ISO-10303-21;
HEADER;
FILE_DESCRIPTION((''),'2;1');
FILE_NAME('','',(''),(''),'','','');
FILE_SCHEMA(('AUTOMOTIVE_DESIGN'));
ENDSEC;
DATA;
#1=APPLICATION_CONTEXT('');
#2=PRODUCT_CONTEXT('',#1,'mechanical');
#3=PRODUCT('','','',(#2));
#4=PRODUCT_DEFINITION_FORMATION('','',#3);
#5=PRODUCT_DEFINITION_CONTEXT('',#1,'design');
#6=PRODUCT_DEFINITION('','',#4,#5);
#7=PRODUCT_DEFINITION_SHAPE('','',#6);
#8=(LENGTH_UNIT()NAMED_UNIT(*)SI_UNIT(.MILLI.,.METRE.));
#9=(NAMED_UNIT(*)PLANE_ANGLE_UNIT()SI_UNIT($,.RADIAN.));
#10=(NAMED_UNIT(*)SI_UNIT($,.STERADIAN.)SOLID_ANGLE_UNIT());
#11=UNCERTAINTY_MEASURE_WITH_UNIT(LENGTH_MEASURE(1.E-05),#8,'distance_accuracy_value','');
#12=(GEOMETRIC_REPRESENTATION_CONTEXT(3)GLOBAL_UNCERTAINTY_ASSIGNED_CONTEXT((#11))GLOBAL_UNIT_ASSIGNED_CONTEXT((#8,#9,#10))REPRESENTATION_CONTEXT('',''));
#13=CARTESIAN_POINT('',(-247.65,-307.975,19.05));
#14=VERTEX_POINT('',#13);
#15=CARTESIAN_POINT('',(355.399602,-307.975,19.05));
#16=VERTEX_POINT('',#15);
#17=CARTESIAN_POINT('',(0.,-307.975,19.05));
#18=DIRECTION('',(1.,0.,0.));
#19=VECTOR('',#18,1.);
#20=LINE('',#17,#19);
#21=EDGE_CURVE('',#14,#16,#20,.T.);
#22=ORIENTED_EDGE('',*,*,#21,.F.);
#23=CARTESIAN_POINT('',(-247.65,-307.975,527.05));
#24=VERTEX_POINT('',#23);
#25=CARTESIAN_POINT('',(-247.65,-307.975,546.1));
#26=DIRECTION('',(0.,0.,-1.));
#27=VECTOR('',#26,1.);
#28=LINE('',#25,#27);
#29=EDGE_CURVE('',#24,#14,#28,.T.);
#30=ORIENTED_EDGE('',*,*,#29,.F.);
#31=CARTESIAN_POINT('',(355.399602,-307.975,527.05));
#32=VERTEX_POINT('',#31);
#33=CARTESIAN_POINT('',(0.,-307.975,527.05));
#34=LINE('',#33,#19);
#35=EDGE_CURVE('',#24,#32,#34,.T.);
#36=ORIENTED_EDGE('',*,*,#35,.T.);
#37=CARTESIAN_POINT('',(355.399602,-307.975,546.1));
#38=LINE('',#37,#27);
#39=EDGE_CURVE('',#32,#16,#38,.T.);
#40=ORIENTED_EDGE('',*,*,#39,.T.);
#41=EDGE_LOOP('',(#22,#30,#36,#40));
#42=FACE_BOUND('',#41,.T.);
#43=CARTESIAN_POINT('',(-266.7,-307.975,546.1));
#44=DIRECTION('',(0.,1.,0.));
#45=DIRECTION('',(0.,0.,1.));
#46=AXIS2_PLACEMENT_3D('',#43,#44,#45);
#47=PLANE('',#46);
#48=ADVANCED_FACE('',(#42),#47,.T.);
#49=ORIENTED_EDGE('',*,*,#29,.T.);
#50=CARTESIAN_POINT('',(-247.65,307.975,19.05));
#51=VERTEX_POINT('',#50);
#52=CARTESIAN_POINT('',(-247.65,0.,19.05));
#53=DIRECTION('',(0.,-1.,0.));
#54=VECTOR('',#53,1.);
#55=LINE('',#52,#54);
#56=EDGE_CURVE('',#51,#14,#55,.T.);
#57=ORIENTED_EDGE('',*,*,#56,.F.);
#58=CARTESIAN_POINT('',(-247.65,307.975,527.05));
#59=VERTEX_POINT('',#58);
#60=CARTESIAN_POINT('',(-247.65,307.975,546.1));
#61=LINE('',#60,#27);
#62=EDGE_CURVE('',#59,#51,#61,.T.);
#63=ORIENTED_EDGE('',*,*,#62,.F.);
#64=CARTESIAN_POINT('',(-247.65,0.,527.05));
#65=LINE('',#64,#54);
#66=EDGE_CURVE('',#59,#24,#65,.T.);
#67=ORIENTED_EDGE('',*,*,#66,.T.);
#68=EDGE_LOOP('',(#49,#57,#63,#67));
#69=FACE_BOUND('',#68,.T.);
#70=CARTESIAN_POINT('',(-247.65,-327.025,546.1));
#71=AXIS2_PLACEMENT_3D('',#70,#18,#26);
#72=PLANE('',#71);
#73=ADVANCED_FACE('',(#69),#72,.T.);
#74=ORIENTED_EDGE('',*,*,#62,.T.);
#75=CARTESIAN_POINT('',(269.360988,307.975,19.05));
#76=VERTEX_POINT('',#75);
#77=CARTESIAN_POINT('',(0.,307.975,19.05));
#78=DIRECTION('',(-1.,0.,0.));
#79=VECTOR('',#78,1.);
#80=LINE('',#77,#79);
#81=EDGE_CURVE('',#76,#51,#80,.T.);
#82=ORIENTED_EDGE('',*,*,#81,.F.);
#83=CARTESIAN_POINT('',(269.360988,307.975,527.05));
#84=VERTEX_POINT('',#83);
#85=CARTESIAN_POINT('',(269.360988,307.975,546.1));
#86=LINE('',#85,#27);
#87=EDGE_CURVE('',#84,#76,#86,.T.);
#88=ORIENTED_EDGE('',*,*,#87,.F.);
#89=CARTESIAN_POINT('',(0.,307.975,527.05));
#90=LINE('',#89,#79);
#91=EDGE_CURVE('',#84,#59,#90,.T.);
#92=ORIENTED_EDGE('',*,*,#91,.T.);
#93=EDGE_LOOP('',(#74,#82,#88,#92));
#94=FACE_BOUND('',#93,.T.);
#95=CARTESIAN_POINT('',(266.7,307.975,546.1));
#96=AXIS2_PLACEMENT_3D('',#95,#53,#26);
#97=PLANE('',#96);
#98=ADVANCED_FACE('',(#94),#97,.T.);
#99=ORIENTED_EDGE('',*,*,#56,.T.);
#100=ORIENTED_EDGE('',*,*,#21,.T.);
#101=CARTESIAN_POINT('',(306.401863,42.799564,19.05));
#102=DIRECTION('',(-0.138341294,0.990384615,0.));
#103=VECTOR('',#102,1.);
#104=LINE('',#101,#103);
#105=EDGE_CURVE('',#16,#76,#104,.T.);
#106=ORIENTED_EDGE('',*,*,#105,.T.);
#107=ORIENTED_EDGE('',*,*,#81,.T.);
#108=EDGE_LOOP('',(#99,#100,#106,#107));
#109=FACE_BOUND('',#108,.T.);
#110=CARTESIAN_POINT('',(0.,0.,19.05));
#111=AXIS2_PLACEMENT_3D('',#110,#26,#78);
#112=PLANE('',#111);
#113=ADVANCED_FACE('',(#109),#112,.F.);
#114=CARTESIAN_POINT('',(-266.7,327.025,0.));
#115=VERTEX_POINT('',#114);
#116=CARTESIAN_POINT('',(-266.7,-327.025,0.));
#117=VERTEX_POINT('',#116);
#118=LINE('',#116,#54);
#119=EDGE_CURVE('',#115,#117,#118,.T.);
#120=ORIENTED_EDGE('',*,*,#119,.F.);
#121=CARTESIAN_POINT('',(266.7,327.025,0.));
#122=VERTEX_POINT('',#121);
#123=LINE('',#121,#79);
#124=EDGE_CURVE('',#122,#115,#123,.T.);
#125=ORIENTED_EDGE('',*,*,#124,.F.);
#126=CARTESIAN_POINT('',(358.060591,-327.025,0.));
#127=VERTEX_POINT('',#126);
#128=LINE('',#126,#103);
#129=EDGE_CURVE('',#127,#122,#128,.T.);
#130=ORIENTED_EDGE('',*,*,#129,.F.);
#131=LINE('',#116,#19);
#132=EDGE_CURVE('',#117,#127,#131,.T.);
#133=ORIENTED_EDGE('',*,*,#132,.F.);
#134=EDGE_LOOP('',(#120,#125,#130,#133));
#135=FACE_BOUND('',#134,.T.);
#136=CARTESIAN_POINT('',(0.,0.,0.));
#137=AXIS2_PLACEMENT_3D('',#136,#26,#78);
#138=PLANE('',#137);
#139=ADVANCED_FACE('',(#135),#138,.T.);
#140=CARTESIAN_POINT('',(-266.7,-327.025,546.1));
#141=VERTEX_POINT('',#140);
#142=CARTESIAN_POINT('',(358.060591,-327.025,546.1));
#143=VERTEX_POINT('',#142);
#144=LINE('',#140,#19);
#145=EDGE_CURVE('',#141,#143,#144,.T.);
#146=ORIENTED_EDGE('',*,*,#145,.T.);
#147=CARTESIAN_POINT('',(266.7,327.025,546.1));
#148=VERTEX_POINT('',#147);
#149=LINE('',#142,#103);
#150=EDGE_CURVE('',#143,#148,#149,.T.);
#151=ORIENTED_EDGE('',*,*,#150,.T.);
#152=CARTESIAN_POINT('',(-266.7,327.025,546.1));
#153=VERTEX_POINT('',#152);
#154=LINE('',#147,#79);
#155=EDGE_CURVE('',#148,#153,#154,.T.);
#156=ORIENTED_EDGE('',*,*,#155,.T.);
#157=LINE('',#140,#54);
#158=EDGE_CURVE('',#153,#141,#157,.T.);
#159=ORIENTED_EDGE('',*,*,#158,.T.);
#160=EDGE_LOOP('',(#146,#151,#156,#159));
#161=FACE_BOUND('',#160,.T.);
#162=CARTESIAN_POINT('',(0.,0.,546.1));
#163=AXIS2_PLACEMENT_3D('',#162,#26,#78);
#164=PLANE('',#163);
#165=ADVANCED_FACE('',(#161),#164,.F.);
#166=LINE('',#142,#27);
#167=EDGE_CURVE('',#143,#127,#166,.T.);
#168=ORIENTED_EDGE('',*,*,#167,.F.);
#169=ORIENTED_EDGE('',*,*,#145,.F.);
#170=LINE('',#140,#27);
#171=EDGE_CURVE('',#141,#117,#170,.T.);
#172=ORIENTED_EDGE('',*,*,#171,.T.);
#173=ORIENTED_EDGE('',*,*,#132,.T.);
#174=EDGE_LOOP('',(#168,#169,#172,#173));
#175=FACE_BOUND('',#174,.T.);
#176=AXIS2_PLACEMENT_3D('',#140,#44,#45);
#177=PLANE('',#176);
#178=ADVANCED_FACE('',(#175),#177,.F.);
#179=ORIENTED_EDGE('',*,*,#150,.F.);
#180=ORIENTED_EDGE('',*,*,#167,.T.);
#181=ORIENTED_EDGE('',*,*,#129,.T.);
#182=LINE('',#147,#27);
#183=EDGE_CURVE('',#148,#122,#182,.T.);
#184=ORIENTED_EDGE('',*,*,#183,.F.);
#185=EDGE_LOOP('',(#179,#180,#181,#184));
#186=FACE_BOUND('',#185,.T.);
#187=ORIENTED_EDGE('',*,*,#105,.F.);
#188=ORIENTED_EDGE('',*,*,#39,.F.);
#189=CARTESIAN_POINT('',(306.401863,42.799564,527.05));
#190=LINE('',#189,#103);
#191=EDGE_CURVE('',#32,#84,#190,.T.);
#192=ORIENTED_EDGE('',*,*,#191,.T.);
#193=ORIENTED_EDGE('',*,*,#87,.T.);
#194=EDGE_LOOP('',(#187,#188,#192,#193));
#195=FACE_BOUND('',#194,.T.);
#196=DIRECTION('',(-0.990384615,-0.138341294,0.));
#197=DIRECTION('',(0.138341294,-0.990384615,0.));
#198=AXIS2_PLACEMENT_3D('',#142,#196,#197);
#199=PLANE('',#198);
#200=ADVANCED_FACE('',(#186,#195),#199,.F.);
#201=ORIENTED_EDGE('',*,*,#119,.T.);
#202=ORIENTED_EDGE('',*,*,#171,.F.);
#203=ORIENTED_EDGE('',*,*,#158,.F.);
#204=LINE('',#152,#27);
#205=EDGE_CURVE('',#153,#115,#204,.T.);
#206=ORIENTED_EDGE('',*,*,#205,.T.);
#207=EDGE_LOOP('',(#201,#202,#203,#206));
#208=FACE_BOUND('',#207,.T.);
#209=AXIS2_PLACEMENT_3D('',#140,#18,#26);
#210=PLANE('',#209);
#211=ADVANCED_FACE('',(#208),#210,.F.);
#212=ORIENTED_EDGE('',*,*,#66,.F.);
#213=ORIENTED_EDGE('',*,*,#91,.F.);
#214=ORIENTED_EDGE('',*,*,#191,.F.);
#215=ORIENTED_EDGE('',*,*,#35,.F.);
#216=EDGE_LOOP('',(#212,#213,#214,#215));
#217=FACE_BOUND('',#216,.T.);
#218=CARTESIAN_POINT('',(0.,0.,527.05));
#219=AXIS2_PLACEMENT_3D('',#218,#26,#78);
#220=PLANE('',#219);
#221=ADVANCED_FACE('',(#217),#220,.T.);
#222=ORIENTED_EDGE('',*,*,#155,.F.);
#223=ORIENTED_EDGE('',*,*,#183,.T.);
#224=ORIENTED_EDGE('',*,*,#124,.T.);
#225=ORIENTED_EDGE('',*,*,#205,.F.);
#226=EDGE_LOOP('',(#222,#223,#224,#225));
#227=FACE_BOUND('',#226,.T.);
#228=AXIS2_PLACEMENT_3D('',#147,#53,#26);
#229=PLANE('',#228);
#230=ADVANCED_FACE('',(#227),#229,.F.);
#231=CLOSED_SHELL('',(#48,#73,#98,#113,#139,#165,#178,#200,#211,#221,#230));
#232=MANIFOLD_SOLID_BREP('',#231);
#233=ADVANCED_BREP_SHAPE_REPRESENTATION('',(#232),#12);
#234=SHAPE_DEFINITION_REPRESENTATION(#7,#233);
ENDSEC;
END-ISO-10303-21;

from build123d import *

# Parameters (mm, degrees)
BOSS_EXTRUDE1_DEPTH = 546.1
SHELL1_T            = -19.05


with BuildPart() as part:
    # Sketch1 → Boss-Extrude1 (new body)
    with BuildSketch(Plane.XY):
        Polygon((-266.7, -327.025), (-266.7, 327.025), (266.7, 327.025), (358.060590519, -327.025), align=None)
    extrude(amount=BOSS_EXTRUDE1_DEPTH)

    # Shell1
    shell1_openings = [part.faces().sort_by_distance(p)[0] for p in [
        (312.38029526, 0, 273.05),
    ]]
    offset(amount=SHELL1_T, openings=shell1_openings, kind=Kind.INTERSECTION)


solid = part.part
